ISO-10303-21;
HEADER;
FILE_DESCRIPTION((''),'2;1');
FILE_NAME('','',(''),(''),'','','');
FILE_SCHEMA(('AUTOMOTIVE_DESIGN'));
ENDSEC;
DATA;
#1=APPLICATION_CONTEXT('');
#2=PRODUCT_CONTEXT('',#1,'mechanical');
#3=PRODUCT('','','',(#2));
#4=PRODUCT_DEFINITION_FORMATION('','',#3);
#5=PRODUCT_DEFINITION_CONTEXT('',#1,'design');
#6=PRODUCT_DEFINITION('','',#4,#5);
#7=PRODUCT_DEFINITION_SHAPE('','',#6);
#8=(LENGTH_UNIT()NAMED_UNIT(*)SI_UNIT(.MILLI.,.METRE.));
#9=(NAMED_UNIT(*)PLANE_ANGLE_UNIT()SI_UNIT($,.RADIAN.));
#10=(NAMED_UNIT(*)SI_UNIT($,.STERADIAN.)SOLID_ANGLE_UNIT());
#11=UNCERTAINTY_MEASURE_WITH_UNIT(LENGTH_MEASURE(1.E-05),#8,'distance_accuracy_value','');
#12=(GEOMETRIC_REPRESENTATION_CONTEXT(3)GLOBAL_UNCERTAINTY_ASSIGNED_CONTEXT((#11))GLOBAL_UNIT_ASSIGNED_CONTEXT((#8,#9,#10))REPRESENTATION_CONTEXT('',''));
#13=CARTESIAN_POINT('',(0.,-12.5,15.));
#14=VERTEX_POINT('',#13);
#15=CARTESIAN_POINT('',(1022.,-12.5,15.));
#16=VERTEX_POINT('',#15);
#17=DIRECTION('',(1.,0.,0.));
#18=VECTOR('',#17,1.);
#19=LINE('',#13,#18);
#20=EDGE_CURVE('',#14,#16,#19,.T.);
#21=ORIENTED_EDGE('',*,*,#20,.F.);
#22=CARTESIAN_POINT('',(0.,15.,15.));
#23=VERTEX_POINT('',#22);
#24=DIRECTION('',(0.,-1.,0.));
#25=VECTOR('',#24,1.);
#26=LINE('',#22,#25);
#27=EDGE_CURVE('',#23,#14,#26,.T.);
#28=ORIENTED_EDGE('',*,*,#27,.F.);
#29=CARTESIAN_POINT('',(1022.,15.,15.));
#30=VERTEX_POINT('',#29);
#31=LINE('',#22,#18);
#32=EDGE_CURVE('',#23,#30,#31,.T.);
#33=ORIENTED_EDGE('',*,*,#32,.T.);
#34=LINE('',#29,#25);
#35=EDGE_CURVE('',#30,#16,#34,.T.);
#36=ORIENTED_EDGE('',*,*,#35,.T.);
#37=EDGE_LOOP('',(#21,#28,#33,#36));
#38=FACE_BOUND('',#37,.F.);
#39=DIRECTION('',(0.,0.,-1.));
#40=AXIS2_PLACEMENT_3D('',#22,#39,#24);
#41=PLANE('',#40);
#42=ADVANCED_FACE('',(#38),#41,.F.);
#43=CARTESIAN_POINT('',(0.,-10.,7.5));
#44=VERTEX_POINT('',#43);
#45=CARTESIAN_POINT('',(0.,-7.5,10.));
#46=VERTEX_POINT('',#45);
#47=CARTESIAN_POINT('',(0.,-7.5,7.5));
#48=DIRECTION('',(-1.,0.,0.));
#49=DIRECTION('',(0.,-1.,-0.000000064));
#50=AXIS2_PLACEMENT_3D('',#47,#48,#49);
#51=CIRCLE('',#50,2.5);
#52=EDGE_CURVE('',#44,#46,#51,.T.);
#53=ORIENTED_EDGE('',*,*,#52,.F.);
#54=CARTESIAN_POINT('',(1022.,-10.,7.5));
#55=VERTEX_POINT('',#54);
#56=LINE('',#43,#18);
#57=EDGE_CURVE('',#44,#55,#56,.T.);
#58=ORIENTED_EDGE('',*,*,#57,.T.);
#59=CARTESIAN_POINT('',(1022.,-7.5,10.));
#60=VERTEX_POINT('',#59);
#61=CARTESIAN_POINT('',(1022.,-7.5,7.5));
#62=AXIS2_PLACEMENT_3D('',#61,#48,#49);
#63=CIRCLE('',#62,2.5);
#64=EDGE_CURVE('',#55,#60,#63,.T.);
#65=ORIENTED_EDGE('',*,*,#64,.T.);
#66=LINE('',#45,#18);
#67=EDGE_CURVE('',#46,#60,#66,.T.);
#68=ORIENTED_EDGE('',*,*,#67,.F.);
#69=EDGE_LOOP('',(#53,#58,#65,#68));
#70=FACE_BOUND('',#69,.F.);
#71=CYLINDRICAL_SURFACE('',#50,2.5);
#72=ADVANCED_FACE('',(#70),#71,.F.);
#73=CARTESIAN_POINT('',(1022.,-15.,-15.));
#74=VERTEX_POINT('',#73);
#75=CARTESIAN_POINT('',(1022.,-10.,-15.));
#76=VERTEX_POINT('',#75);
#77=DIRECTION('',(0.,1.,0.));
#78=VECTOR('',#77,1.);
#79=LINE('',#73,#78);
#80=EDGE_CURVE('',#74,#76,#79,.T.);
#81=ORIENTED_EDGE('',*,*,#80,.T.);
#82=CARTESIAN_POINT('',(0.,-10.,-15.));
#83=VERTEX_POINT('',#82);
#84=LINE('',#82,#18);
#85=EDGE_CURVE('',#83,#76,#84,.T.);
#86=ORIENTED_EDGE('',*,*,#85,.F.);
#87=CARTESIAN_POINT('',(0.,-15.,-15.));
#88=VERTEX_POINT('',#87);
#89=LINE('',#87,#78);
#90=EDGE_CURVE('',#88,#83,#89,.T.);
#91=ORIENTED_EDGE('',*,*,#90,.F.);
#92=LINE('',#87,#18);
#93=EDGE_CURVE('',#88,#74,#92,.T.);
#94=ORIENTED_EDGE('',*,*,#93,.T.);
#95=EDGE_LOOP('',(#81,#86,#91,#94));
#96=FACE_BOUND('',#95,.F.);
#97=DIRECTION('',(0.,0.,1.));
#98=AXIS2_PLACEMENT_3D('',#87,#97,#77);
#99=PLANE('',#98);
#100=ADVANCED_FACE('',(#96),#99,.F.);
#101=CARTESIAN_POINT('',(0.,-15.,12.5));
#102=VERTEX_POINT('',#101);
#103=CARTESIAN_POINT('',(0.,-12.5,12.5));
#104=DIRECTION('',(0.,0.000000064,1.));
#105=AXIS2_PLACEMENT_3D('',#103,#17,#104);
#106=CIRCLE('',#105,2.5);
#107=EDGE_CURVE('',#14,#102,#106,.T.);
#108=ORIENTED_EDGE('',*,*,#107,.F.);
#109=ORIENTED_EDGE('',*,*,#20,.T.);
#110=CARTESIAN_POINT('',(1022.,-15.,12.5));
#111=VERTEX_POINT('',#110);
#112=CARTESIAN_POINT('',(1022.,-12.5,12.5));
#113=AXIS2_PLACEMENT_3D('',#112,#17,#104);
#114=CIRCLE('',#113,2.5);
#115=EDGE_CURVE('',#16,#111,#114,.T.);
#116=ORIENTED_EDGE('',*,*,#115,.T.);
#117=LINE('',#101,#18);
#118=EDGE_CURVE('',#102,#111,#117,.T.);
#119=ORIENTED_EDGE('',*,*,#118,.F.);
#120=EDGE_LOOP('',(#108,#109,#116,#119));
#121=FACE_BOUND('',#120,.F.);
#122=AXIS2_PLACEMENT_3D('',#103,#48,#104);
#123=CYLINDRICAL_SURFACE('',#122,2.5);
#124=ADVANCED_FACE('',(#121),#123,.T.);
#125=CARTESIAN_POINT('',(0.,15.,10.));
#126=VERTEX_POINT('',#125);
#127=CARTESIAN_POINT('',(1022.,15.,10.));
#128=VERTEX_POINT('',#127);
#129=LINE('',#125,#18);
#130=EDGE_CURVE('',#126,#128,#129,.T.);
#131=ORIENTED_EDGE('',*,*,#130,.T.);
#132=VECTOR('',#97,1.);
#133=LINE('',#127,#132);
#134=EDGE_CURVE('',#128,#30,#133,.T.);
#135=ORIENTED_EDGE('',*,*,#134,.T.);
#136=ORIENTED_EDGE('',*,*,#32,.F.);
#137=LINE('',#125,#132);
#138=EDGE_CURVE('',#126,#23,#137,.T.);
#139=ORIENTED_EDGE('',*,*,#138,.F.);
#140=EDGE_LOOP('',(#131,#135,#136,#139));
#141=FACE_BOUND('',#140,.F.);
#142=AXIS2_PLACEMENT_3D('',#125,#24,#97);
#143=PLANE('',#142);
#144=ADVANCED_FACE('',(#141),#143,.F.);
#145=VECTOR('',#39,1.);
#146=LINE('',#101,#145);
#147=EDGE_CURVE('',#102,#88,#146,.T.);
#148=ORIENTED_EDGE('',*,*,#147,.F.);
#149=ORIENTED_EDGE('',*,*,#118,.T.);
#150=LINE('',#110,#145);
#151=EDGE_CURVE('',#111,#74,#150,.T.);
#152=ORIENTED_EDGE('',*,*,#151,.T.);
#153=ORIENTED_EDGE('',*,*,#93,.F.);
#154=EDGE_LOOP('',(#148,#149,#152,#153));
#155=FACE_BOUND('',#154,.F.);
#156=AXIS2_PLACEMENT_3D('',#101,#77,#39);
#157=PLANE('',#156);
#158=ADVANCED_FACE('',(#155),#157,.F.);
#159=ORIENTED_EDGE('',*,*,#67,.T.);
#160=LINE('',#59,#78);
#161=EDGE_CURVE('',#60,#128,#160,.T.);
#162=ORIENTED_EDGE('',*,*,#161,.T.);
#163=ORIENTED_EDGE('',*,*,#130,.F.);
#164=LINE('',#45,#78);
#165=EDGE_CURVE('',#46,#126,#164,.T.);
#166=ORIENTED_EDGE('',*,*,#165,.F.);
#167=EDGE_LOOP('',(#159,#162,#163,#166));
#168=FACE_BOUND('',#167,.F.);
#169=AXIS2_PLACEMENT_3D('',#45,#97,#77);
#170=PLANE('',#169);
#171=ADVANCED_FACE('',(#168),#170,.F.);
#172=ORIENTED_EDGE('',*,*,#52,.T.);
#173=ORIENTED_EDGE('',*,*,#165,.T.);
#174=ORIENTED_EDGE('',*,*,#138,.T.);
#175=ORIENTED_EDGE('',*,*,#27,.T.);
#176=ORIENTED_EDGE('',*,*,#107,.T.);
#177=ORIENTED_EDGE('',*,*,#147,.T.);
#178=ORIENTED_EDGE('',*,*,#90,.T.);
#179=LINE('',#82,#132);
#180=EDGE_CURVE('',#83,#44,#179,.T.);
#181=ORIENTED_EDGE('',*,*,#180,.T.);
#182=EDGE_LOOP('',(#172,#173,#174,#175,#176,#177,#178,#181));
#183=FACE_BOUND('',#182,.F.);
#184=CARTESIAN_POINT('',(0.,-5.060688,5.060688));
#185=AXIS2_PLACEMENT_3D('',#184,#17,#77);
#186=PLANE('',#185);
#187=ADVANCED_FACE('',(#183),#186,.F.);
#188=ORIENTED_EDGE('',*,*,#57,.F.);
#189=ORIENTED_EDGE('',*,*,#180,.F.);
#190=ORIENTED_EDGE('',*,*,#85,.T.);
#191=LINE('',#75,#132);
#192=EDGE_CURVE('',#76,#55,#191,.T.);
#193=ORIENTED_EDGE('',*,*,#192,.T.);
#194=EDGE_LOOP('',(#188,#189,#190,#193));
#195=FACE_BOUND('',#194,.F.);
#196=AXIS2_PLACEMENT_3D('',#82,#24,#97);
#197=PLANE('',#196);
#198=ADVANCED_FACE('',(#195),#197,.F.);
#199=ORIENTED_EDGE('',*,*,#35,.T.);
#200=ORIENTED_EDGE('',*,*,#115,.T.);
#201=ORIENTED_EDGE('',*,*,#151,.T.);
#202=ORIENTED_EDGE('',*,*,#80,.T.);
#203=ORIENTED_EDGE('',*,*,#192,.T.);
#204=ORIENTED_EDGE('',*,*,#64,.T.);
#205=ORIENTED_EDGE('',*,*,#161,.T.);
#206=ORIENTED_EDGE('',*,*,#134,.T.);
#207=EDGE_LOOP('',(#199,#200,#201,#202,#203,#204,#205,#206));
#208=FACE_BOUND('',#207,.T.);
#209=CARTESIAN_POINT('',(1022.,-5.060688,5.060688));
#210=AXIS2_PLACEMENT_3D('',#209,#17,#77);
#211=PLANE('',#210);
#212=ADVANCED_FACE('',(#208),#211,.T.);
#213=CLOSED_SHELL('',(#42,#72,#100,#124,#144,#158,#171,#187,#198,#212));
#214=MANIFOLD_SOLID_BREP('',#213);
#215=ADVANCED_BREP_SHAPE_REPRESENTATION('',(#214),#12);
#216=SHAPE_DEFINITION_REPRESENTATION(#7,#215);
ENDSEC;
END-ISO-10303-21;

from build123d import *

# Parameters (mm, degrees)
F1_DEPTH = 1022


with BuildPart() as f1:
    # F0 (on Right) → F1 (new body)
    with BuildSketch(Plane.YZ):
        with BuildLine():
            Line((15, 10), (15, 15))
            Line((15, 15), (-12.5, 15))
            ThreePointArc((-12.5, 15), (-14.267767, 14.267767), (-15, 12.5))
            Line((-15, 12.5), (-15, -15))
            Line((-15, -15), (-10, -15))
            Line((-10, -15), (-10, 7.5))
            ThreePointArc((-10, 7.5), (-9.267767, 9.267767), (-7.5, 10))
            Line((-7.5, 10), (15, 10))
        make_face()
    extrude(amount=F1_DEPTH)


solid = f1.part
